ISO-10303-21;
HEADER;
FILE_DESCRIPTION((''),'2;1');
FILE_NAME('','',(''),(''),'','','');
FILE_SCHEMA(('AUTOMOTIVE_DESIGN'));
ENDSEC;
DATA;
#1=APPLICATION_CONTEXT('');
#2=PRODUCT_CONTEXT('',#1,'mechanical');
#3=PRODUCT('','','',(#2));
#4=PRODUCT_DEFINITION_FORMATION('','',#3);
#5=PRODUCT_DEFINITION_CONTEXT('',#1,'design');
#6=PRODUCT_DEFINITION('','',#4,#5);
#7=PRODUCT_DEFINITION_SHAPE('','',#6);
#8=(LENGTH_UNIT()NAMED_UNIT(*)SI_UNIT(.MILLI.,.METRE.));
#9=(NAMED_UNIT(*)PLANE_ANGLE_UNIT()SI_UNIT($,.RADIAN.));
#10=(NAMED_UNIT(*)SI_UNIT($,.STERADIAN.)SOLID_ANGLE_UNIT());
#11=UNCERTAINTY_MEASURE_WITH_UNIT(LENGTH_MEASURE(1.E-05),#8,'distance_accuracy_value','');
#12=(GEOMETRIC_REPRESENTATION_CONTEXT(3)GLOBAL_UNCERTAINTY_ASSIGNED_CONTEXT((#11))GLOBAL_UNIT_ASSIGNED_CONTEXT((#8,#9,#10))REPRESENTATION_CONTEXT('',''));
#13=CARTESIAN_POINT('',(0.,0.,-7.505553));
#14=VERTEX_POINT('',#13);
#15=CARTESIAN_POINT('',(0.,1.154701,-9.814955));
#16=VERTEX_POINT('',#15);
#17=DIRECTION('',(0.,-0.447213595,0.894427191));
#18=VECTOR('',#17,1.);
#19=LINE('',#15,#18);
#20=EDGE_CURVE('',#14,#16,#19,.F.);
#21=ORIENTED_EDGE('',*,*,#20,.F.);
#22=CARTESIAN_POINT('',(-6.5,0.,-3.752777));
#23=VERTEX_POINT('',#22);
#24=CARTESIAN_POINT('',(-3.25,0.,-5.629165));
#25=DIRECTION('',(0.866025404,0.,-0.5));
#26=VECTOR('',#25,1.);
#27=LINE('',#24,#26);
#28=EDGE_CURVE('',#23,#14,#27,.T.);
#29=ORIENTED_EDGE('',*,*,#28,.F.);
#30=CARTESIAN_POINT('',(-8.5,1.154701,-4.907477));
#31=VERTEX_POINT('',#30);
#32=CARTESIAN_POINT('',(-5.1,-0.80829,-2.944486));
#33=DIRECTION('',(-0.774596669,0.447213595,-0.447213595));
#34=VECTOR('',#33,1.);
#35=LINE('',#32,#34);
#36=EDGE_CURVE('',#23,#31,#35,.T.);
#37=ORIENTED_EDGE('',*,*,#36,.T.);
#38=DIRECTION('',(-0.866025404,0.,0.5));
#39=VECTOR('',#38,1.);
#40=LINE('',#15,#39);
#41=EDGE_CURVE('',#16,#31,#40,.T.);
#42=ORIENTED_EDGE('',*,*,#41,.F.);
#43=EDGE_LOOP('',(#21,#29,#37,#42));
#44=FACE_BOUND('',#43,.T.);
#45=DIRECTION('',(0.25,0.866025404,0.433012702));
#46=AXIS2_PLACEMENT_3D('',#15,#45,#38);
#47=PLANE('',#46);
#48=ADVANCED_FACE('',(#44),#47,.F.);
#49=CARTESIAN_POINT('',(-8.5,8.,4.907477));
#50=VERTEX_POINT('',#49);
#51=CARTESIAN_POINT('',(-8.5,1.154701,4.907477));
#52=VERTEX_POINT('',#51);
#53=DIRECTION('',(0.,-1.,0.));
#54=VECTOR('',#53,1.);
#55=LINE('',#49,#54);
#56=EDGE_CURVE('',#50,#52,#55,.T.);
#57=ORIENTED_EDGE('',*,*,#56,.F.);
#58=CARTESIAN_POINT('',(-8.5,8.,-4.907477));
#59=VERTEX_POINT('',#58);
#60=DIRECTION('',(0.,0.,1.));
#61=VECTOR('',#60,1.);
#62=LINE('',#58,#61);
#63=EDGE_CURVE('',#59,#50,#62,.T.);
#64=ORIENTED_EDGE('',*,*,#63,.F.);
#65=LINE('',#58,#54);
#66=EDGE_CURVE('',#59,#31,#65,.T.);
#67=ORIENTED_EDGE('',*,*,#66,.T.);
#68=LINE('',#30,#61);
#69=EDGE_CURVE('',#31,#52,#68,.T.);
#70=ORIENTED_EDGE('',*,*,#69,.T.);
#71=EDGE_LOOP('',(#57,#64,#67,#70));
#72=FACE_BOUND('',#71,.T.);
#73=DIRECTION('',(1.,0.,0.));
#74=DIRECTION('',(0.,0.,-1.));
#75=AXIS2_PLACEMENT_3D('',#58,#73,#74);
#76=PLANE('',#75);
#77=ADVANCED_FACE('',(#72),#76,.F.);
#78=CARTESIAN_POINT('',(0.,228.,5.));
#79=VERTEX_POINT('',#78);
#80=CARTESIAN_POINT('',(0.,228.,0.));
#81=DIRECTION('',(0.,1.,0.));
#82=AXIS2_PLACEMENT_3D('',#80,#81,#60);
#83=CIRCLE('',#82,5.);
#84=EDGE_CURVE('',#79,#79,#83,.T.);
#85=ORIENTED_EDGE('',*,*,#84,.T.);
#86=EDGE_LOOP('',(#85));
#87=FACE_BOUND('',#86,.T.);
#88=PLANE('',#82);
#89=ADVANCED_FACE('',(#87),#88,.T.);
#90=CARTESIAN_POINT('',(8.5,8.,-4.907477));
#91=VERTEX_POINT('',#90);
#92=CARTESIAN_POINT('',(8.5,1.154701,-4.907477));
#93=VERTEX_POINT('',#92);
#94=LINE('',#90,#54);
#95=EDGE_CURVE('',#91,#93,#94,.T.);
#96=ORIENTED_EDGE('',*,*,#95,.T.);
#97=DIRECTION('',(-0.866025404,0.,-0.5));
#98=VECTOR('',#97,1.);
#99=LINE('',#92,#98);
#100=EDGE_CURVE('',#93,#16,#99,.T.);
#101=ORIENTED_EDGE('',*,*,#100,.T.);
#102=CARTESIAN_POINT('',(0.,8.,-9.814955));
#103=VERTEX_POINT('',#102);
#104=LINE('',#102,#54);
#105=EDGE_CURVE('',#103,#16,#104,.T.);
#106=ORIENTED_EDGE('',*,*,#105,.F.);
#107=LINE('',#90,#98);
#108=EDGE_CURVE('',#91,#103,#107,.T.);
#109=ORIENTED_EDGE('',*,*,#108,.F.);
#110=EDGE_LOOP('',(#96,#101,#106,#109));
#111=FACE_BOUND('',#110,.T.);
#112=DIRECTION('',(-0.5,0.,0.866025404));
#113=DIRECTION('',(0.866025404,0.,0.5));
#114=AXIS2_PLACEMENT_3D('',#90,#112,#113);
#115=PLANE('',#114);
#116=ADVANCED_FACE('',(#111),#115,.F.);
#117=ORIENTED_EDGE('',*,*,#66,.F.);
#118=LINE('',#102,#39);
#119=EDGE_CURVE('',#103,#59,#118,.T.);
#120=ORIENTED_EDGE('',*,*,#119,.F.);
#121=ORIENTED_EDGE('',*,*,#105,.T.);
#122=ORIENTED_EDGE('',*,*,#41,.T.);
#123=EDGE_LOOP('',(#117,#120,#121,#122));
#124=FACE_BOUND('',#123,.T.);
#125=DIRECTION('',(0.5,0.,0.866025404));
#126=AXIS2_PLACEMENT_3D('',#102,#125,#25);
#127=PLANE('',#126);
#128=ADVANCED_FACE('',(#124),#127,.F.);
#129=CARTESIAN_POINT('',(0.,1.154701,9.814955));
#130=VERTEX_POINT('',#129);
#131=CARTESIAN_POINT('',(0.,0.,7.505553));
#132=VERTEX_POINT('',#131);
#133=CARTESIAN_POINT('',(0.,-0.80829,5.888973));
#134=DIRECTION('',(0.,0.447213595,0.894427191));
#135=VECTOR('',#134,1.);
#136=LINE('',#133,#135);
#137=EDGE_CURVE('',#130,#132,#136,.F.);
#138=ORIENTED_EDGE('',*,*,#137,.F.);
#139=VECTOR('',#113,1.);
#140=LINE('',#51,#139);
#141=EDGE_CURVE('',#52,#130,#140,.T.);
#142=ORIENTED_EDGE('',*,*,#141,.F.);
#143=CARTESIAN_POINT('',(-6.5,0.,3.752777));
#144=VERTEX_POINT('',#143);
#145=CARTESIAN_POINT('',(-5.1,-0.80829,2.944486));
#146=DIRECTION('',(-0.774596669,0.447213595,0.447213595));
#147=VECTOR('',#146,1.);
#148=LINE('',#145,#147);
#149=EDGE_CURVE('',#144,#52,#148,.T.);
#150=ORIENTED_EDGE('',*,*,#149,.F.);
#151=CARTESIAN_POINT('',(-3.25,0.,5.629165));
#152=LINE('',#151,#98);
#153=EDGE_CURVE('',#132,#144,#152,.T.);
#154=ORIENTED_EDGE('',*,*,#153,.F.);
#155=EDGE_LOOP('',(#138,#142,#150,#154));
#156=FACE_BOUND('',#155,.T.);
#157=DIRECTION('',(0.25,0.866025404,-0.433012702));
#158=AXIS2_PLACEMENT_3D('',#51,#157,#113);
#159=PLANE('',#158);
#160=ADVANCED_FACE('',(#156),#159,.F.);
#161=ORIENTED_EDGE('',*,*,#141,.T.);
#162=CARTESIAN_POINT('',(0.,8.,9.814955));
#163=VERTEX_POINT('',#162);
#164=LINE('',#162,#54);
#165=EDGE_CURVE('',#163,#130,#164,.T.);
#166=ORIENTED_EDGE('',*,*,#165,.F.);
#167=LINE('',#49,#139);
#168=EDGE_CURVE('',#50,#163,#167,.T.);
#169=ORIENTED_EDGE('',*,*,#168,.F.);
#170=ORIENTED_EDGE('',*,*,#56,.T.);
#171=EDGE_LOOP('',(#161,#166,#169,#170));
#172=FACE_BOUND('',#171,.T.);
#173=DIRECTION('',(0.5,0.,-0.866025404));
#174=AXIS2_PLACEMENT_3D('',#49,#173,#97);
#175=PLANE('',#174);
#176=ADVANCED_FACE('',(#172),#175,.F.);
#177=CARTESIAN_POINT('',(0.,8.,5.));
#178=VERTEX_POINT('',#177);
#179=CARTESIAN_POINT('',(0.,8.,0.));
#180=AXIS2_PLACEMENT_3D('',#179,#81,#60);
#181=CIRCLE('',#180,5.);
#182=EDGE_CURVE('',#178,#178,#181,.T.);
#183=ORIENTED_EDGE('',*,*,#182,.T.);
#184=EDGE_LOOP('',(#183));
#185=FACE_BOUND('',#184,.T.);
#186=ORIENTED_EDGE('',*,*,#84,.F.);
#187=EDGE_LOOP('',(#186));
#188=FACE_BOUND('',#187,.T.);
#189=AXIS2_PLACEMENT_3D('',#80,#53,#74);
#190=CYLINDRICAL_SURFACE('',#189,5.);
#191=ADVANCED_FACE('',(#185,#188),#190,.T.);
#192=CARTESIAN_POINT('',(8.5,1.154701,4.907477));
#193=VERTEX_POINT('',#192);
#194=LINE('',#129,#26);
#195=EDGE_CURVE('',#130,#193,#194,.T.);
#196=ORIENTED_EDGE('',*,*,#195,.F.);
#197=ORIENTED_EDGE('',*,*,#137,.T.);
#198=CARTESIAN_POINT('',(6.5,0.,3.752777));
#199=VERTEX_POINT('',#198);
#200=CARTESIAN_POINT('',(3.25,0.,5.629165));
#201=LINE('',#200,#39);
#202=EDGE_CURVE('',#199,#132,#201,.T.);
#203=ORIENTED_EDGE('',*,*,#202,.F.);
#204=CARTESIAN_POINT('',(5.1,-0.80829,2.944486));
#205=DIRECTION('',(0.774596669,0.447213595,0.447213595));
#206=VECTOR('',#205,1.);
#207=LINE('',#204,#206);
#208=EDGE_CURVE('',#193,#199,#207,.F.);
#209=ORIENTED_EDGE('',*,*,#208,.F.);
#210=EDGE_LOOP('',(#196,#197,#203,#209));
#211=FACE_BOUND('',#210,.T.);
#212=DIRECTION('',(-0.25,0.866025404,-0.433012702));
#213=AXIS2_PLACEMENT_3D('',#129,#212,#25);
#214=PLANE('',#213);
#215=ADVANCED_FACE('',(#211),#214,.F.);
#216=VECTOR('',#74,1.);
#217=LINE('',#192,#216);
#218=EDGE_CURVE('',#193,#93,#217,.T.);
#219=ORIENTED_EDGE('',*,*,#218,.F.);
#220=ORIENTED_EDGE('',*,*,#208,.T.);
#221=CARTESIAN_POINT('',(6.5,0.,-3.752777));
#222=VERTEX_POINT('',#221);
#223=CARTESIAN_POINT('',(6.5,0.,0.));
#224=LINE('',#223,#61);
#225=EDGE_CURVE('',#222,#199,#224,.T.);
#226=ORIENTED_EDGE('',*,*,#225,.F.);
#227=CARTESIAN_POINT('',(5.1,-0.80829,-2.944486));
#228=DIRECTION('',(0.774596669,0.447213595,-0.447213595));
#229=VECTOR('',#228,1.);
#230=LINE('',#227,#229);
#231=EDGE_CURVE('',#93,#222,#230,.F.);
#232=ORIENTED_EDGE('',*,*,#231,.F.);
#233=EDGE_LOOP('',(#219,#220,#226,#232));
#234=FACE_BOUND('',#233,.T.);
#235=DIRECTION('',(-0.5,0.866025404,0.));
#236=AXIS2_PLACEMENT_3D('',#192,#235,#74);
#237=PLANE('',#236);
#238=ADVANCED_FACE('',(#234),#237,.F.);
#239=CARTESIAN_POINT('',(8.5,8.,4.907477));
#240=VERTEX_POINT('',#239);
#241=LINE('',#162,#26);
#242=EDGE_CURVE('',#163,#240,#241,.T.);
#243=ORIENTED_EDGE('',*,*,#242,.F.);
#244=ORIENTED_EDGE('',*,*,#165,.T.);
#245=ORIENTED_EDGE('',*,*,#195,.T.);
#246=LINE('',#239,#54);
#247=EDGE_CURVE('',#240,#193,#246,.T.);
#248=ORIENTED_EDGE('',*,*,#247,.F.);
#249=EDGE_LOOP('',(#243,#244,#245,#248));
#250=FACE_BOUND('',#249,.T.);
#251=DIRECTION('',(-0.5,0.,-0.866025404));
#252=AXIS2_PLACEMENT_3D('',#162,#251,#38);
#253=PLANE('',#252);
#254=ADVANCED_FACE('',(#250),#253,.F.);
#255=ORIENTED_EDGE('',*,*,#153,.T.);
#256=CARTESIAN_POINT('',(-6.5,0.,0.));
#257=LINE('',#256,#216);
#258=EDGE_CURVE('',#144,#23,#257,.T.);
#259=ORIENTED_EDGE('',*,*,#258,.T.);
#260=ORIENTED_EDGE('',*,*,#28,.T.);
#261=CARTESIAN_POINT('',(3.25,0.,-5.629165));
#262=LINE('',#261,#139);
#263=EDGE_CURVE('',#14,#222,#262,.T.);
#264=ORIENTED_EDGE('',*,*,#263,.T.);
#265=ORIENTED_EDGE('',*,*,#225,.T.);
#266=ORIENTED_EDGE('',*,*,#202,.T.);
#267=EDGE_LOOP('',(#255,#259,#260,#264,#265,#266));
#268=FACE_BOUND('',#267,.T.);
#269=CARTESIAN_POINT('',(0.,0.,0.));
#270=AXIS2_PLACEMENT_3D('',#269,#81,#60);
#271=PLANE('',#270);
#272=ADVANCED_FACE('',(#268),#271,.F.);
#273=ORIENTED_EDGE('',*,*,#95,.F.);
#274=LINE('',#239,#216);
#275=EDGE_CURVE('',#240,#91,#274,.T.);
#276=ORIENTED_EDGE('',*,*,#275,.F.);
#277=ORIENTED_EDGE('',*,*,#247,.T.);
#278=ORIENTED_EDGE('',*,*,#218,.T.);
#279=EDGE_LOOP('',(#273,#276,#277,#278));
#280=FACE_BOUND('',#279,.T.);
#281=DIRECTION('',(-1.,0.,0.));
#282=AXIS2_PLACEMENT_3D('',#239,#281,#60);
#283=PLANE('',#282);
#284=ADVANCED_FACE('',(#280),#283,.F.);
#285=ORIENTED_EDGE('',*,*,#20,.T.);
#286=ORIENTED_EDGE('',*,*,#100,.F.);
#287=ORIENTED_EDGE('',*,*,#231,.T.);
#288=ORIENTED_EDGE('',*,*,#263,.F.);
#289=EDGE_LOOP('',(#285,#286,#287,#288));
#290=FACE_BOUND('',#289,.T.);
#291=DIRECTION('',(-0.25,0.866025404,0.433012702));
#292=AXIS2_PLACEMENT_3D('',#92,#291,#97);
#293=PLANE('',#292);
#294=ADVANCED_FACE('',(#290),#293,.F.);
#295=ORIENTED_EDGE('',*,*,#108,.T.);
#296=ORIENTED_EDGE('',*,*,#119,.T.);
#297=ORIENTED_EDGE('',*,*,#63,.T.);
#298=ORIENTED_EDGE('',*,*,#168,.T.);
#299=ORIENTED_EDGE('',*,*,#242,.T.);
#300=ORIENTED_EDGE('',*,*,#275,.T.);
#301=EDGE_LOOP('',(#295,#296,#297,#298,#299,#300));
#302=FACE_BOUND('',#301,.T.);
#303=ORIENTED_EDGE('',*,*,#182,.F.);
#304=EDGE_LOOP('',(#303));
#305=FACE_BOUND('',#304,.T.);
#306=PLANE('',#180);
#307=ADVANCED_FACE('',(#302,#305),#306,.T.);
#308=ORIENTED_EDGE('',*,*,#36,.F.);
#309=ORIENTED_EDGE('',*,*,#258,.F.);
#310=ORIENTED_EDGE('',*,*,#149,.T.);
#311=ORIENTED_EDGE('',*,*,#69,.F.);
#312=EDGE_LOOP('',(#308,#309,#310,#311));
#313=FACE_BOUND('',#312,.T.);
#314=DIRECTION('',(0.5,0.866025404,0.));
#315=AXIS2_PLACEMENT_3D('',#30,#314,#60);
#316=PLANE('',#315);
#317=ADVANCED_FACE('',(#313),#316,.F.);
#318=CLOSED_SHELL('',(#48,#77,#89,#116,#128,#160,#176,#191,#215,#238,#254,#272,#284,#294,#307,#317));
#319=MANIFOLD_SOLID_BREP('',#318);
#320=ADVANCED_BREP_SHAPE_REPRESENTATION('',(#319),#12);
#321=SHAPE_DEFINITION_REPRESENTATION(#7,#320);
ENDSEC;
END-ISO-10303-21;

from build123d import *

# Parameters (mm, degrees)
EXTRUDE_1_DEPTH = 8
SKETCH_2_R      = 5
EXTRUDE_2_DEPTH = 220
CHAMFER_1_SIZE  = 2
CHAMFER_1_SIZE2 = 1.154700538


with BuildPart() as part:
    # Эскиз1 → Бобышка-Вытянуть1 (new body)
    with BuildSketch(Plane(origin=(0, 0, 0), x_dir=(1, 0, 0), z_dir=(0, 1, 0))):
        Polygon((8.5, -4.907477288), (8.5, 4.907477288), (0, 9.814954576), (-8.5, 4.907477288), (-8.5, -4.907477288), (0, -9.814954576), align=None)
    extrude(amount=EXTRUDE_1_DEPTH)

    # Эскиз2 → Бобышка-Вытянуть2 (add)
    with BuildSketch(Plane(origin=(0, 8, 0), x_dir=(1, 0, 0), z_dir=(0, 1, 0))):
        Circle(SKETCH_2_R)
    extrude(amount=EXTRUDE_2_DEPTH)

    # Фаска1
    chamfer_1_edges = [part.edges().sort_by_distance(p)[0] for p in [
        (-4.25, 0, 7.361215932),
        (-8.5, 0, 0),
        (-4.25, 0, -7.361215932),
        (4.25, 0, -7.361215932),
        (8.5, 0, 0),
        (4.25, 0, 7.361215932),
    ]]
    chamfer_1_side = [part.faces().sort_by_distance(p)[0] for p in [
        (0, 0, 0),
    ]]
    chamfer(chamfer_1_edges, length=CHAMFER_1_SIZE, length2=CHAMFER_1_SIZE2, reference=chamfer_1_side[0])


solid = part.part
